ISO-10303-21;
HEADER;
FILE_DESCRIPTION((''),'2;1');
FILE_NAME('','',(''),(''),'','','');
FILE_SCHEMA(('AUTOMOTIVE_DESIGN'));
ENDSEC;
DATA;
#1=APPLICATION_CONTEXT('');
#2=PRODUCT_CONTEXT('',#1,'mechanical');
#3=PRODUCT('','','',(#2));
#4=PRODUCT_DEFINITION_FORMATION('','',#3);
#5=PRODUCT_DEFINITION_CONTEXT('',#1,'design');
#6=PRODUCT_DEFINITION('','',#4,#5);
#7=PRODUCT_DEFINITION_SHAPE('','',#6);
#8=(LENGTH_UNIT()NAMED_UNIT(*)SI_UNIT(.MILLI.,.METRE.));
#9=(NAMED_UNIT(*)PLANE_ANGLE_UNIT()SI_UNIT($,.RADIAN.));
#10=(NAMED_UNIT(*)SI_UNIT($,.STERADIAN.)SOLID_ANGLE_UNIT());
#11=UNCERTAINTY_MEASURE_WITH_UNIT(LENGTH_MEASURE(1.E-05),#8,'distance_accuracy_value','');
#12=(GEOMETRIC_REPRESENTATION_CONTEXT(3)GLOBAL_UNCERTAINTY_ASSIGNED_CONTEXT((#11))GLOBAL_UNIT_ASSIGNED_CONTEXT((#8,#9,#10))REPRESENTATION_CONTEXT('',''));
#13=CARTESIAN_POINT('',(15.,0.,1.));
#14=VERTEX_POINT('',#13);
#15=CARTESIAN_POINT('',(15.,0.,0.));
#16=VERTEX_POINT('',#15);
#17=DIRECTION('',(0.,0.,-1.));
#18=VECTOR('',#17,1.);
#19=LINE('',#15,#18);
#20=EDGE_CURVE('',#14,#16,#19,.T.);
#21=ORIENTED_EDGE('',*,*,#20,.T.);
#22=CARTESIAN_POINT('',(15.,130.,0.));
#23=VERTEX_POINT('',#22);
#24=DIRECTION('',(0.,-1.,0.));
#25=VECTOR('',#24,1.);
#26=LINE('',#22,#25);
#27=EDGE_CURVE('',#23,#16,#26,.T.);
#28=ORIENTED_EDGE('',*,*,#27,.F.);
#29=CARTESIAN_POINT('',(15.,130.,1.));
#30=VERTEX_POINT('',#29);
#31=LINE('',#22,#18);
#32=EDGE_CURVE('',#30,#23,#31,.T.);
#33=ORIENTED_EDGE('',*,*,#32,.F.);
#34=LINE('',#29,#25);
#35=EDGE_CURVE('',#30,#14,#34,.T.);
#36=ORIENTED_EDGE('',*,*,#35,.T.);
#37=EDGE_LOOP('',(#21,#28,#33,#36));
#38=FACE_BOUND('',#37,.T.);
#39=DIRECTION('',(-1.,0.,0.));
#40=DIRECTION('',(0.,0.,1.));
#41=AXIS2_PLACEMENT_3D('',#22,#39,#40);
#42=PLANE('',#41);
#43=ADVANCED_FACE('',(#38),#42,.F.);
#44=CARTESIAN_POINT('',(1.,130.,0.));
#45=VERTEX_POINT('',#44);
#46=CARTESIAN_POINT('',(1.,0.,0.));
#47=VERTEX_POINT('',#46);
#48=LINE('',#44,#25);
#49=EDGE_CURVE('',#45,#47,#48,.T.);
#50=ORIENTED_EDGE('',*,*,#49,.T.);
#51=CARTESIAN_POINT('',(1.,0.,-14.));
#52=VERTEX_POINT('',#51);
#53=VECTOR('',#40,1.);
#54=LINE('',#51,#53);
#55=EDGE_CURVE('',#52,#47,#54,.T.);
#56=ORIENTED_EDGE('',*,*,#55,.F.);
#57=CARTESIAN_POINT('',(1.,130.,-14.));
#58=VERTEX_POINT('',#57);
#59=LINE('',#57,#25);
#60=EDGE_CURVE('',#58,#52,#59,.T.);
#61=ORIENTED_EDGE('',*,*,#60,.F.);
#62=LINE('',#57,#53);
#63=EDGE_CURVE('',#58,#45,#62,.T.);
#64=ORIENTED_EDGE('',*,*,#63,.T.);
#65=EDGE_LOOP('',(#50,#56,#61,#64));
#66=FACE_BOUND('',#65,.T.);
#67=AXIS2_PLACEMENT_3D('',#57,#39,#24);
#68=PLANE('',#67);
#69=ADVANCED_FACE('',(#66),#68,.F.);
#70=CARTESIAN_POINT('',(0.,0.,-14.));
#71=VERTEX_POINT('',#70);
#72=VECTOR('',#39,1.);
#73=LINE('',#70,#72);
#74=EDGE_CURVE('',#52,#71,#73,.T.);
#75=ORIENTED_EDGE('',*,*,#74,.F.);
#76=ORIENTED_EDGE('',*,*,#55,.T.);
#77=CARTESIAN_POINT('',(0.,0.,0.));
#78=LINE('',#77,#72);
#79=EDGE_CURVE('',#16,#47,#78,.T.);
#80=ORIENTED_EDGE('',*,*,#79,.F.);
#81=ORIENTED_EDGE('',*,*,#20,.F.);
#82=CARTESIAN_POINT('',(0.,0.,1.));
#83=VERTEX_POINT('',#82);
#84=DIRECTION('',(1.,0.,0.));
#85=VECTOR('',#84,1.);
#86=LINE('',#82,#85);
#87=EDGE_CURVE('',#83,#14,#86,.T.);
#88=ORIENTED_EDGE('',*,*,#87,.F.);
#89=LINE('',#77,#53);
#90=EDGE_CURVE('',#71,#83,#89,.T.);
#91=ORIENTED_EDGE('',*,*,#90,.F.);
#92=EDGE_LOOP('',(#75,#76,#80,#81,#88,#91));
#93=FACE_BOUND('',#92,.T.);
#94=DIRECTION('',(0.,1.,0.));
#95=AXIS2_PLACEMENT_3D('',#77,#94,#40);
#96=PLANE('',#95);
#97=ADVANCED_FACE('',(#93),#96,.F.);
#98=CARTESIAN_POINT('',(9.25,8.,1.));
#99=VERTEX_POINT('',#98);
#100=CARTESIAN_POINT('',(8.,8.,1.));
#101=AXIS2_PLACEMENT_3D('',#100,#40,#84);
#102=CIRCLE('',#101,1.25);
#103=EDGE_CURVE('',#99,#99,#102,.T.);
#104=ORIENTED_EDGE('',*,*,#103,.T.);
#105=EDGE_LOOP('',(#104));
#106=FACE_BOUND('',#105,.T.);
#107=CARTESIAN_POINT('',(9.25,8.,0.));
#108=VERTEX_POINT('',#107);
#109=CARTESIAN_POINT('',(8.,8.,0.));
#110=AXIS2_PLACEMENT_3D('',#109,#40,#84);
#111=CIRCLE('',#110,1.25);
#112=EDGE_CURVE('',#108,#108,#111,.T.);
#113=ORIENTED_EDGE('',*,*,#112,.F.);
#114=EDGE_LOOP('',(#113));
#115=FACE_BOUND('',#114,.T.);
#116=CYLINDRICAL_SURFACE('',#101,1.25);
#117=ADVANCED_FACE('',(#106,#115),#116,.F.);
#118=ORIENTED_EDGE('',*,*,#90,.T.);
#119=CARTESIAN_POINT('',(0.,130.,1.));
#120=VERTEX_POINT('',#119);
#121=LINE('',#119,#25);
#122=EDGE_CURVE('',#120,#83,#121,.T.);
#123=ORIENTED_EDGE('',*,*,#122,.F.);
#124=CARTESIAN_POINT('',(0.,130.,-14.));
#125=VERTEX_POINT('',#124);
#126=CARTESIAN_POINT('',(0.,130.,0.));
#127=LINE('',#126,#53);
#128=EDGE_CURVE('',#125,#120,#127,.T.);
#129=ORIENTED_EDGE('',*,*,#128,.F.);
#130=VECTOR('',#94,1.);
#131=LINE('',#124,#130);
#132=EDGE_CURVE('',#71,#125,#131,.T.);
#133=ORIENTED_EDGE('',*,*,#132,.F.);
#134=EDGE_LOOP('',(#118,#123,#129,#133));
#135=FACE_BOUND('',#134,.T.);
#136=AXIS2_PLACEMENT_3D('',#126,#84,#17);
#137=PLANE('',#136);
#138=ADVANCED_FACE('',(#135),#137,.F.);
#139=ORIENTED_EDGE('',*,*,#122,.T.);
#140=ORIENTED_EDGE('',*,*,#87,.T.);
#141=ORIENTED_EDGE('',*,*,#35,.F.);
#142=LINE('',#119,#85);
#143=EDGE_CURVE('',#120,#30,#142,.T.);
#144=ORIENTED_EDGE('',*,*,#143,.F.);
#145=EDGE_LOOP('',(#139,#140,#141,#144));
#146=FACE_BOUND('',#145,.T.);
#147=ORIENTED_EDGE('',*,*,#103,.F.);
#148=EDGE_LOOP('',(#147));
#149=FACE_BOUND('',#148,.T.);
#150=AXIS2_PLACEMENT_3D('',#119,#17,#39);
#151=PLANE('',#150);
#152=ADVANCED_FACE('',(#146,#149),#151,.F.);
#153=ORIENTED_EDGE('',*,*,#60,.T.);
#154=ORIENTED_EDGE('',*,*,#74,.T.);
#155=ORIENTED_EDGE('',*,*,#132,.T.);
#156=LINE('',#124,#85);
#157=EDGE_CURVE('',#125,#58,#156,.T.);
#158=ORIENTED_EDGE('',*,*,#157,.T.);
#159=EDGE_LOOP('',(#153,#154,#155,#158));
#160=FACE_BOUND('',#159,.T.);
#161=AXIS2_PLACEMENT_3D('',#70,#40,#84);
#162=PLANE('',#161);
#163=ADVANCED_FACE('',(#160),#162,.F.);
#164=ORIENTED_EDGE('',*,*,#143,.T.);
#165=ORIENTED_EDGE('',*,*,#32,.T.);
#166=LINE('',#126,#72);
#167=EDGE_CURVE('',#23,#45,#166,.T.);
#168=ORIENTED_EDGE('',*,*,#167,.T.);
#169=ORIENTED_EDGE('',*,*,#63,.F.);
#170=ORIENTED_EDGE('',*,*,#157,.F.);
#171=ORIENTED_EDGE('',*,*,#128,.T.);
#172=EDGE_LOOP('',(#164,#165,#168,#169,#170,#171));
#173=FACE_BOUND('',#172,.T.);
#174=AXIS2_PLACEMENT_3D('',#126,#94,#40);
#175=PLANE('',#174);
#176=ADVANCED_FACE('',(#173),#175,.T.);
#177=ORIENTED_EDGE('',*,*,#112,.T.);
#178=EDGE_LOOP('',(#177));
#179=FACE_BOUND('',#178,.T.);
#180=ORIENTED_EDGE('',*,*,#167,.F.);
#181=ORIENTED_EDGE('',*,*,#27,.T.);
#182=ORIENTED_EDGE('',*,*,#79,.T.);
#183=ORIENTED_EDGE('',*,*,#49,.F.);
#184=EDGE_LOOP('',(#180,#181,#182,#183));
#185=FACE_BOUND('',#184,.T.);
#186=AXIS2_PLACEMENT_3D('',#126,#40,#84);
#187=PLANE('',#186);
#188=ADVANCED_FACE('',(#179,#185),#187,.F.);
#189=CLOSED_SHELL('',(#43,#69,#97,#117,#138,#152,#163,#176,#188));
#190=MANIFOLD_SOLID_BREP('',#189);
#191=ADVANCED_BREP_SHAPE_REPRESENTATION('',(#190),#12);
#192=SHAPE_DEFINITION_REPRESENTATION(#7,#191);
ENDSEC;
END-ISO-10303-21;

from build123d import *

# Parameters (mm, degrees)
SKETCH_1_W      = 15
SKETCH_1_H      = 1
EXTRUDE_1_DEPTH = 130
SKETCH_3_W      = 1
SKETCH_3_H      = 130
EXTRUDE_2_DEPTH = 14
M3X0_5_2_D      = 2.5


with BuildPart() as part:
    # ｽｹｯﾁ1 → ﾎﾞｽ - 押し出し1 (new body)
    with BuildSketch(Plane(origin=(0, 0, 0), x_dir=(1, 0, 0), z_dir=(0, 1, 0))):
        with Locations((7.5, -0.5)):
            Rectangle(SKETCH_1_W, SKETCH_1_H)
    extrude(amount=EXTRUDE_1_DEPTH)

    # ｽｹｯﾁ3 → ﾎﾞｽ - 押し出し2 (add)
    with BuildSketch(Plane(origin=(0, 0, 0), x_dir=(-1, 0, 0), z_dir=(0, 0, -1))):
        with Locations((-0.5, 65)):
            Rectangle(SKETCH_3_W, SKETCH_3_H)
    extrude(amount=EXTRUDE_2_DEPTH)

    # M3x0.5 ねじ穴2 (through all)
    with Locations(Plane.XY.offset(1)):
        with Locations((8, 8)):
            Hole(M3X0_5_2_D / 2)


solid = part.part
